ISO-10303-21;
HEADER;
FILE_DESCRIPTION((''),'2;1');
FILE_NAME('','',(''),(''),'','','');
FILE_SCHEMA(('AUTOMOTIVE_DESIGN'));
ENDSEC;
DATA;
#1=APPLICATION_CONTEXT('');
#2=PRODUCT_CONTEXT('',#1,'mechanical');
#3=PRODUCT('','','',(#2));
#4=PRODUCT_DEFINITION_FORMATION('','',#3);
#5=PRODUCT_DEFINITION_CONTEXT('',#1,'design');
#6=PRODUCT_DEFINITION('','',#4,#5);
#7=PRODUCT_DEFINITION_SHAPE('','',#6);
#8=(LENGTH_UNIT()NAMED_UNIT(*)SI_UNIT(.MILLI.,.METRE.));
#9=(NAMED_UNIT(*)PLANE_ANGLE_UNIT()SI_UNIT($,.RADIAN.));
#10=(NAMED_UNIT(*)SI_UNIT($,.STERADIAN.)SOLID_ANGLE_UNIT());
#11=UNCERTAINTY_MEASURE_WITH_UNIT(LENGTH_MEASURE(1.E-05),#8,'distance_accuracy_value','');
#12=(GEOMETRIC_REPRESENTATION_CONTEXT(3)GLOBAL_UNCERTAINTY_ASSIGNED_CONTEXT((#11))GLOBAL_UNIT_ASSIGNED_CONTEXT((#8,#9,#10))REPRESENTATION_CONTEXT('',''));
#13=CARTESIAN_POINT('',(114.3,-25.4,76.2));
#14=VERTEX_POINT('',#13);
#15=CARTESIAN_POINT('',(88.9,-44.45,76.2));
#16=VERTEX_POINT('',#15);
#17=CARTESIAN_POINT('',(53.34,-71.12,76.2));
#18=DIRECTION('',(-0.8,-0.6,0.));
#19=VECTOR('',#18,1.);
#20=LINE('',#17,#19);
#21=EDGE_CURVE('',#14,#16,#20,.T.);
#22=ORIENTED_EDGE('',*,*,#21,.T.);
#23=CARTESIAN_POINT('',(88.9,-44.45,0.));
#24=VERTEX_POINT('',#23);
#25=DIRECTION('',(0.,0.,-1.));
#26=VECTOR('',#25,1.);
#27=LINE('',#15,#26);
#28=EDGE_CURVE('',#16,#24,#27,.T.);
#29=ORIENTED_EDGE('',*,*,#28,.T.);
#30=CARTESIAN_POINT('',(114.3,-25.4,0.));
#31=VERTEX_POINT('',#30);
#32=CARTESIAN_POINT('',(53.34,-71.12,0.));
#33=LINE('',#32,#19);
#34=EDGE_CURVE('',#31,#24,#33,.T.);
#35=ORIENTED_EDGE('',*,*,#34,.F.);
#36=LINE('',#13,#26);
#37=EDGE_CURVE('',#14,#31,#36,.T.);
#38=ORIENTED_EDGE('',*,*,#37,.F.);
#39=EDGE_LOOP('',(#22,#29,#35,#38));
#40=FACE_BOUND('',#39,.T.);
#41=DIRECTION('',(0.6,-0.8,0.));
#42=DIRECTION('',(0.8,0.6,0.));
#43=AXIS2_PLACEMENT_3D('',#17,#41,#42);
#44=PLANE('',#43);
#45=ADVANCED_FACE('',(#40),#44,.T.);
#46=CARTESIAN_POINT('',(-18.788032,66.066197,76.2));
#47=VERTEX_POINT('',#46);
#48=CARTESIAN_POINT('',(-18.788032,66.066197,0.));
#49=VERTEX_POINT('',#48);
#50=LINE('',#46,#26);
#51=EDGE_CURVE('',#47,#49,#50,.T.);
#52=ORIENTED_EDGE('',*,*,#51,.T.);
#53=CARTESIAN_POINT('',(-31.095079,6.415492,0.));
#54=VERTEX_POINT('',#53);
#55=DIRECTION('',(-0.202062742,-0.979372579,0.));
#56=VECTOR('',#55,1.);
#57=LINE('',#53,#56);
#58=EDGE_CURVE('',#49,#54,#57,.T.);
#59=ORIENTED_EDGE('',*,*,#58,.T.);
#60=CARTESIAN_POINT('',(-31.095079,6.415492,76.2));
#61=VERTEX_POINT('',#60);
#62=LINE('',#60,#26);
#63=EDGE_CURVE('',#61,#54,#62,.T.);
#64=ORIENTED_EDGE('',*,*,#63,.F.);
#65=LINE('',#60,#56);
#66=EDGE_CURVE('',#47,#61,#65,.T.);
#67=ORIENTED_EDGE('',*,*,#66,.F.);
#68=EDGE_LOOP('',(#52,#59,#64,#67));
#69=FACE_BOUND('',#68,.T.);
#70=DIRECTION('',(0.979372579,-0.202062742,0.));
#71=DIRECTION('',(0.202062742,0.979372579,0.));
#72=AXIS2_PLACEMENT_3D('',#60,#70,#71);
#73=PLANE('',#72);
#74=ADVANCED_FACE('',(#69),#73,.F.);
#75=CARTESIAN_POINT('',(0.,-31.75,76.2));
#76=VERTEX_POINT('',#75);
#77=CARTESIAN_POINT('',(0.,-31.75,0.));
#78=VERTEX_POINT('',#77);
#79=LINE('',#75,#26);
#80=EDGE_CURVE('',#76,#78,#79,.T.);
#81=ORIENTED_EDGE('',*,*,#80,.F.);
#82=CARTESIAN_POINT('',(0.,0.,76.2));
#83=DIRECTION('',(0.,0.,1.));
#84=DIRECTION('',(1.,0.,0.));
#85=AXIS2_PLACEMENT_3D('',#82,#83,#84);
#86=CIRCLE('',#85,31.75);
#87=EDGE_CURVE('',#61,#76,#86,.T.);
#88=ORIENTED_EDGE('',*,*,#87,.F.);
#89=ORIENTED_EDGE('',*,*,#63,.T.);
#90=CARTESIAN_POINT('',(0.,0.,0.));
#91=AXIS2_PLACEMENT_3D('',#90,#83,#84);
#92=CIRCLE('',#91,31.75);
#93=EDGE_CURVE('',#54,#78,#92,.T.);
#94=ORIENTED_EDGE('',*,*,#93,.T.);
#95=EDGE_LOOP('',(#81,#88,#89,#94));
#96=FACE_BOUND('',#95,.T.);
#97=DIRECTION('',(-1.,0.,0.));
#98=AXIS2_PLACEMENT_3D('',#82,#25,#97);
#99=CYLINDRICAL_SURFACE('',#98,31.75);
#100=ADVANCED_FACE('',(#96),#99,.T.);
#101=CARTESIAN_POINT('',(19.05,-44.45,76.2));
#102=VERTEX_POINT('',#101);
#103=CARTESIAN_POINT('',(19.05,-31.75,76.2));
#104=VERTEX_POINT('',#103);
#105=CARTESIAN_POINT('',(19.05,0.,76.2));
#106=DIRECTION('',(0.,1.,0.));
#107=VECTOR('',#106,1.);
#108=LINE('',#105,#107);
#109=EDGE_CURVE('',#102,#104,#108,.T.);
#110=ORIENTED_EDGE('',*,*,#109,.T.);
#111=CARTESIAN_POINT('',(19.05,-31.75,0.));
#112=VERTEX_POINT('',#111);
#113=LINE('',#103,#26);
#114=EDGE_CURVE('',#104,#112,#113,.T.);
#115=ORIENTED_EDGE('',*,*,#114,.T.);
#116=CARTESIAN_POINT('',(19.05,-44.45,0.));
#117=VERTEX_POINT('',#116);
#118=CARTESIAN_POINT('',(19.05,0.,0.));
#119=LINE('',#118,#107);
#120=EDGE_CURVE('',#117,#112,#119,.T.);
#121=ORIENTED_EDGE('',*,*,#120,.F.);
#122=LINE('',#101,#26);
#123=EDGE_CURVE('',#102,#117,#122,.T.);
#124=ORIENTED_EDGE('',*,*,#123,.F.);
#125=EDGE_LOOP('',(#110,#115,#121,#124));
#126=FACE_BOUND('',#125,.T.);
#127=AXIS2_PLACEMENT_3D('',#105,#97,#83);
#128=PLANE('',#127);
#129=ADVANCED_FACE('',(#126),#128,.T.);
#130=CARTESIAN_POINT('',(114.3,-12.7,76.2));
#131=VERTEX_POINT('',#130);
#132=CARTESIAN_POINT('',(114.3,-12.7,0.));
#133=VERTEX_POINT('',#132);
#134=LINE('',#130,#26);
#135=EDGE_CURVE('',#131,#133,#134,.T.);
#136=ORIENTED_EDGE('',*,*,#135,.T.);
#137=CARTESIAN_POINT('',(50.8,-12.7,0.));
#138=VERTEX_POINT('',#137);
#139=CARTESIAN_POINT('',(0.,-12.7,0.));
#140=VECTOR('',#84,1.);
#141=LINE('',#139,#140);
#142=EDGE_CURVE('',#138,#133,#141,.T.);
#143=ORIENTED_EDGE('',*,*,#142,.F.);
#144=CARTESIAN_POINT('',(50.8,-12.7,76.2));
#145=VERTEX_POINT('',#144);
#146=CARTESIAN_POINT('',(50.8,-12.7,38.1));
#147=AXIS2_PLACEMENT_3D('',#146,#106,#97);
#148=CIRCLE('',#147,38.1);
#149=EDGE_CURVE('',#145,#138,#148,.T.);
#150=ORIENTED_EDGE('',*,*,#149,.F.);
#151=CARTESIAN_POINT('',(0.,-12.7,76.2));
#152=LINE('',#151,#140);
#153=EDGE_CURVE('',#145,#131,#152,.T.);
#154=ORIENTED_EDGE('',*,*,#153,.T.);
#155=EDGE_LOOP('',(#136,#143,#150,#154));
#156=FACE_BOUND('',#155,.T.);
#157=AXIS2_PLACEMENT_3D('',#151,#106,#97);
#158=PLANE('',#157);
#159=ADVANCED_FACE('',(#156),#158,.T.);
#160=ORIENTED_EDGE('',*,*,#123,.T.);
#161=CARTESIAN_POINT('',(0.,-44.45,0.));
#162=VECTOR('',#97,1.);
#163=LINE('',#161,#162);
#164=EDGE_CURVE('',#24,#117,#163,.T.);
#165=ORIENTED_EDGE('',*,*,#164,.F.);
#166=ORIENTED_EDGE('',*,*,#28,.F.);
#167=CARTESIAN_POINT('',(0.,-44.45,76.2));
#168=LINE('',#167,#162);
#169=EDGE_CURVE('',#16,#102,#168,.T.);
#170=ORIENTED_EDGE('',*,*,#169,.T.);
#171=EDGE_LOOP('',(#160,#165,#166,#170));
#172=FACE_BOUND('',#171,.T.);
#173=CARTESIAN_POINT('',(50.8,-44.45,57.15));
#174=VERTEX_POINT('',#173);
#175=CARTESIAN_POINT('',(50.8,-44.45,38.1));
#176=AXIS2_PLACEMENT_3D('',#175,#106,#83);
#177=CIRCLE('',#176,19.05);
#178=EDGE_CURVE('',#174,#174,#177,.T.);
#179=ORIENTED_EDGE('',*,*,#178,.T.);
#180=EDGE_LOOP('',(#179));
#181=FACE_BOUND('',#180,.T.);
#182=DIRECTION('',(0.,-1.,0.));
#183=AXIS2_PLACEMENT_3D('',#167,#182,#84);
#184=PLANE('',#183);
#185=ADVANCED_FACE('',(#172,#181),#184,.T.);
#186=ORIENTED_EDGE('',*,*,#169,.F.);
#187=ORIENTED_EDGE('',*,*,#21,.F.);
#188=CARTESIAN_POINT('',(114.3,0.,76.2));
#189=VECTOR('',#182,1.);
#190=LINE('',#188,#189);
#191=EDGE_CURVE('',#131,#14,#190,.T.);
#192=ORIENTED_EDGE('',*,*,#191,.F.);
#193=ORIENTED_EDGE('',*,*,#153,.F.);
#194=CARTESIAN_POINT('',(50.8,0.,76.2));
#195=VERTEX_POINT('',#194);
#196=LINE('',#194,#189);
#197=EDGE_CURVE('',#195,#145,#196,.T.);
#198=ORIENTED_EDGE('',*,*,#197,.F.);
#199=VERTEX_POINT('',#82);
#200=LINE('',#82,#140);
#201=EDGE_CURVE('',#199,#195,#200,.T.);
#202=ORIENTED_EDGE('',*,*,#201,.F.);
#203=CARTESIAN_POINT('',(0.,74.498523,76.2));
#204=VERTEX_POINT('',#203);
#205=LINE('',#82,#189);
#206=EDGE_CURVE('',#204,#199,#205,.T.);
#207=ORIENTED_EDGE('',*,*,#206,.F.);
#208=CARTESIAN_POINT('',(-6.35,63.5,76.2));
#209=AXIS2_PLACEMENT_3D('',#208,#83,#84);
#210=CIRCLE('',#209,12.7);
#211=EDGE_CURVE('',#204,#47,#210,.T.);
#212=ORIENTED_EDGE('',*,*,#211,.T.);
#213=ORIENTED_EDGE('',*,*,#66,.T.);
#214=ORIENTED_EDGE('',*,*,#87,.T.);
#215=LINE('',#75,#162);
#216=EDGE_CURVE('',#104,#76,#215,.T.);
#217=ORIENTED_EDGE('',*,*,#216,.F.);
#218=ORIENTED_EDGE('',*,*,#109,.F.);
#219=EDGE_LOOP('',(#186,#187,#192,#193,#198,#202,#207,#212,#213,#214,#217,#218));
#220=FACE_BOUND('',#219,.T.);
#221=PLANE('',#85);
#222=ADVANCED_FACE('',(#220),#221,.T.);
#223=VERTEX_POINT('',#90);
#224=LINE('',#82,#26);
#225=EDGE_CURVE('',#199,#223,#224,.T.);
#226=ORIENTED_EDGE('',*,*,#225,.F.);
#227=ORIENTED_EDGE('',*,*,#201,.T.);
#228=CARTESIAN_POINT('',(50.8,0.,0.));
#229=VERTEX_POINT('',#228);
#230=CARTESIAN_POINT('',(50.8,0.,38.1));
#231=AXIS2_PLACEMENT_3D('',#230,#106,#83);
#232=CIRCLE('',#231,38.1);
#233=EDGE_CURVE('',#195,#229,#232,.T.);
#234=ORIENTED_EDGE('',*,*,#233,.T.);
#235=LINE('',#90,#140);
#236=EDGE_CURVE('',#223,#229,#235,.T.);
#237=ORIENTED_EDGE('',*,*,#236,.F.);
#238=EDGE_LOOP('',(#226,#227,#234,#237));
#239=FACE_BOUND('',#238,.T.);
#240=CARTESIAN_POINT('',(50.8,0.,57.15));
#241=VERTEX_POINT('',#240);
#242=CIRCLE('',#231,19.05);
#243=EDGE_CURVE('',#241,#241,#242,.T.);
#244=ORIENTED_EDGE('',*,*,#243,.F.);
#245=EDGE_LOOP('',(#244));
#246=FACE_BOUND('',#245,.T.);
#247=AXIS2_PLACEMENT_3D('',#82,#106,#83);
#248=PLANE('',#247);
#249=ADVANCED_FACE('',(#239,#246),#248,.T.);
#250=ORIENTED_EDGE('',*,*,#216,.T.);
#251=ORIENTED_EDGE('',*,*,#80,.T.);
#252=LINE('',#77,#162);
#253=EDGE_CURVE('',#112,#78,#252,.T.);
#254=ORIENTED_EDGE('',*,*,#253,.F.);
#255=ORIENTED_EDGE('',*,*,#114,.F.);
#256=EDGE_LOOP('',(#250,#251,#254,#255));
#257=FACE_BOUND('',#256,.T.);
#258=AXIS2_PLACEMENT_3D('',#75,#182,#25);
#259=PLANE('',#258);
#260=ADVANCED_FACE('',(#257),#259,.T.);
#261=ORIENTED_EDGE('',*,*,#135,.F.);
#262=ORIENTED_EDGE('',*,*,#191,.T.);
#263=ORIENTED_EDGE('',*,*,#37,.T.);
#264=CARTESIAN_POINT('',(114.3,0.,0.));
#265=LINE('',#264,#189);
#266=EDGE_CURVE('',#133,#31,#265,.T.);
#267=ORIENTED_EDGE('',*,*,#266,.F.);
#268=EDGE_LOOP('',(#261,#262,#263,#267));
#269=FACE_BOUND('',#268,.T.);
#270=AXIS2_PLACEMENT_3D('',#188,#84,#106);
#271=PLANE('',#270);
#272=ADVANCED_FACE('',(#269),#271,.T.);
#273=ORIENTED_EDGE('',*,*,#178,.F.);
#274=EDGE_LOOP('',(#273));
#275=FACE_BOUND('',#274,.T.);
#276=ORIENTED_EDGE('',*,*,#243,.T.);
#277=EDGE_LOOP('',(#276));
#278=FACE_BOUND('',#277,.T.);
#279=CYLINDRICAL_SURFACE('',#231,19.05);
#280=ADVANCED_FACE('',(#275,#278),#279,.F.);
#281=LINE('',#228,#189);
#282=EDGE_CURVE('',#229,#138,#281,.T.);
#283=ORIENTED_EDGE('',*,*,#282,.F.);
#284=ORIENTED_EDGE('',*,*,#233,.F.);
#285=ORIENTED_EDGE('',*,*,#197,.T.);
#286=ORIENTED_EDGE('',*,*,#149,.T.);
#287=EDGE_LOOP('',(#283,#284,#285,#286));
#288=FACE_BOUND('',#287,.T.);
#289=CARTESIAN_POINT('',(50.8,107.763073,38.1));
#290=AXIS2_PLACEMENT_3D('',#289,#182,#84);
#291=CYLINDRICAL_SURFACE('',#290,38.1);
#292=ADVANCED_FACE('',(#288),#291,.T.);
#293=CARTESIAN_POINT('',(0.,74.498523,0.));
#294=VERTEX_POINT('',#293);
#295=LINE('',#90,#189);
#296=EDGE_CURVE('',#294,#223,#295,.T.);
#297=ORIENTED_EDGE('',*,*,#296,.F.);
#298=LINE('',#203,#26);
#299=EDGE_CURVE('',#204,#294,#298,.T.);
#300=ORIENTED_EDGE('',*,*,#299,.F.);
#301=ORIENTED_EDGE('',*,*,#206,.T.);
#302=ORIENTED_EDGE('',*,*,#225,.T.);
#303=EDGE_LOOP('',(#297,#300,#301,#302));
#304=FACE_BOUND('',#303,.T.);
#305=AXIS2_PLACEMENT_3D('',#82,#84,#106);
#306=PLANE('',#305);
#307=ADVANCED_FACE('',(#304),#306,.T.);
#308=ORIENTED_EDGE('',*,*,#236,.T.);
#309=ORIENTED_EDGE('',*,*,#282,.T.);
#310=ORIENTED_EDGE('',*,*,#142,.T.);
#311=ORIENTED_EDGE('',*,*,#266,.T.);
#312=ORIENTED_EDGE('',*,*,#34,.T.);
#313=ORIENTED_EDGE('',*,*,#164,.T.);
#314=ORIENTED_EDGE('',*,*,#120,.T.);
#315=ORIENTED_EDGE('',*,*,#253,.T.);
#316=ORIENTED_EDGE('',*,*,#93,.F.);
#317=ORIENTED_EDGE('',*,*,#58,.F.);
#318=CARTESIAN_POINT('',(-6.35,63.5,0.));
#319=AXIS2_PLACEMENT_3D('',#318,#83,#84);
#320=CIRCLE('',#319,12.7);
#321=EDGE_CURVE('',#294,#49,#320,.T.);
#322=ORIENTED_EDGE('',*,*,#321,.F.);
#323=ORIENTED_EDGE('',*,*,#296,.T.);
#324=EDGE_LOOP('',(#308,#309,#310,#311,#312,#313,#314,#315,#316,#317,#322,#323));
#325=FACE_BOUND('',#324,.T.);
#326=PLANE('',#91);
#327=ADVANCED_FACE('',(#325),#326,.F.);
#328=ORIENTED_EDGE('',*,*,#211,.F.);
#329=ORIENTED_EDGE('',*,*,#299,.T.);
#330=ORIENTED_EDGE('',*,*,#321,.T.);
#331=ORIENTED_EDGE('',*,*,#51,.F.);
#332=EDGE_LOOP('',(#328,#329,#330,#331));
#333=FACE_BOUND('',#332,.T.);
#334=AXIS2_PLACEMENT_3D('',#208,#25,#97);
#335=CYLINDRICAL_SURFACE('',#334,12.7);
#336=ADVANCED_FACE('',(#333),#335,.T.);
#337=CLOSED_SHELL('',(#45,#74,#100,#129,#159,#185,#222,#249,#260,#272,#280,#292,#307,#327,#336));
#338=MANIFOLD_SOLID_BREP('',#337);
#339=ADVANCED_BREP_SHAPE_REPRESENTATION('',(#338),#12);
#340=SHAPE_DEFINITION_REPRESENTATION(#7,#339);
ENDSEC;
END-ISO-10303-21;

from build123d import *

# Parameters (mm, degrees)
BOSS_EXTRUDE1_DEPTH        = 76.2
SKETCH2_R                  = 38.1
BOSS_EXTRUDE2_DEPTH        = 12.7
F_3_4_1_5_DIAMETER_HOLE1_D = 38.1


with BuildPart() as part:
    # Sketch1 → Boss-Extrude1 (new body)
    with BuildSketch(Plane.XY):
        with BuildLine():
            ThreePointArc((0, 74.498522628), (-11.550198291, 75.086541233), (-18.788031752, 66.066196825))
            Line((-18.788031752, 66.066196825), (-31.095079379, 6.415492062))
            ThreePointArc((-31.095079379, 6.415492062), (-24.614572645, -20.054558422), (0, -31.75))
            Line((0, -31.75), (19.05, -31.75))
            Line((19.05, -31.75), (19.05, -44.45))
            Line((19.05, -44.45), (88.9, -44.45))
            Line((88.9, -44.45), (114.3, -25.4))
            Line((114.3, -25.4), (114.3, -12.7))
            Line((114.3, -12.7), (50.8, -12.7))
            Line((50.8, -12.7), (50.8, 0))
            Line((50.8, 0), (0, 0))
            Line((0, 0), (0, 74.498522628))
        make_face()
    extrude(amount=BOSS_EXTRUDE1_DEPTH)

    # Sketch2 → Boss-Extrude2 (add)
    with BuildSketch(Plane(origin=(0, -12.7, 0), x_dir=(1, 0, 0), z_dir=(0, 1, 0))):
        with Locations((50.8, -38.1)):
            Circle(SKETCH2_R)
    extrude(amount=BOSS_EXTRUDE2_DEPTH)

    # 3/4 (1.5) Diameter Hole1 (through all)
    with Locations(Plane(origin=(0, 0, 0), x_dir=(1, 0, 0), z_dir=(0, 1, 0))):
        with Locations((50.8, -38.1)):
            Hole(F_3_4_1_5_DIAMETER_HOLE1_D / 2)


solid = part.part
